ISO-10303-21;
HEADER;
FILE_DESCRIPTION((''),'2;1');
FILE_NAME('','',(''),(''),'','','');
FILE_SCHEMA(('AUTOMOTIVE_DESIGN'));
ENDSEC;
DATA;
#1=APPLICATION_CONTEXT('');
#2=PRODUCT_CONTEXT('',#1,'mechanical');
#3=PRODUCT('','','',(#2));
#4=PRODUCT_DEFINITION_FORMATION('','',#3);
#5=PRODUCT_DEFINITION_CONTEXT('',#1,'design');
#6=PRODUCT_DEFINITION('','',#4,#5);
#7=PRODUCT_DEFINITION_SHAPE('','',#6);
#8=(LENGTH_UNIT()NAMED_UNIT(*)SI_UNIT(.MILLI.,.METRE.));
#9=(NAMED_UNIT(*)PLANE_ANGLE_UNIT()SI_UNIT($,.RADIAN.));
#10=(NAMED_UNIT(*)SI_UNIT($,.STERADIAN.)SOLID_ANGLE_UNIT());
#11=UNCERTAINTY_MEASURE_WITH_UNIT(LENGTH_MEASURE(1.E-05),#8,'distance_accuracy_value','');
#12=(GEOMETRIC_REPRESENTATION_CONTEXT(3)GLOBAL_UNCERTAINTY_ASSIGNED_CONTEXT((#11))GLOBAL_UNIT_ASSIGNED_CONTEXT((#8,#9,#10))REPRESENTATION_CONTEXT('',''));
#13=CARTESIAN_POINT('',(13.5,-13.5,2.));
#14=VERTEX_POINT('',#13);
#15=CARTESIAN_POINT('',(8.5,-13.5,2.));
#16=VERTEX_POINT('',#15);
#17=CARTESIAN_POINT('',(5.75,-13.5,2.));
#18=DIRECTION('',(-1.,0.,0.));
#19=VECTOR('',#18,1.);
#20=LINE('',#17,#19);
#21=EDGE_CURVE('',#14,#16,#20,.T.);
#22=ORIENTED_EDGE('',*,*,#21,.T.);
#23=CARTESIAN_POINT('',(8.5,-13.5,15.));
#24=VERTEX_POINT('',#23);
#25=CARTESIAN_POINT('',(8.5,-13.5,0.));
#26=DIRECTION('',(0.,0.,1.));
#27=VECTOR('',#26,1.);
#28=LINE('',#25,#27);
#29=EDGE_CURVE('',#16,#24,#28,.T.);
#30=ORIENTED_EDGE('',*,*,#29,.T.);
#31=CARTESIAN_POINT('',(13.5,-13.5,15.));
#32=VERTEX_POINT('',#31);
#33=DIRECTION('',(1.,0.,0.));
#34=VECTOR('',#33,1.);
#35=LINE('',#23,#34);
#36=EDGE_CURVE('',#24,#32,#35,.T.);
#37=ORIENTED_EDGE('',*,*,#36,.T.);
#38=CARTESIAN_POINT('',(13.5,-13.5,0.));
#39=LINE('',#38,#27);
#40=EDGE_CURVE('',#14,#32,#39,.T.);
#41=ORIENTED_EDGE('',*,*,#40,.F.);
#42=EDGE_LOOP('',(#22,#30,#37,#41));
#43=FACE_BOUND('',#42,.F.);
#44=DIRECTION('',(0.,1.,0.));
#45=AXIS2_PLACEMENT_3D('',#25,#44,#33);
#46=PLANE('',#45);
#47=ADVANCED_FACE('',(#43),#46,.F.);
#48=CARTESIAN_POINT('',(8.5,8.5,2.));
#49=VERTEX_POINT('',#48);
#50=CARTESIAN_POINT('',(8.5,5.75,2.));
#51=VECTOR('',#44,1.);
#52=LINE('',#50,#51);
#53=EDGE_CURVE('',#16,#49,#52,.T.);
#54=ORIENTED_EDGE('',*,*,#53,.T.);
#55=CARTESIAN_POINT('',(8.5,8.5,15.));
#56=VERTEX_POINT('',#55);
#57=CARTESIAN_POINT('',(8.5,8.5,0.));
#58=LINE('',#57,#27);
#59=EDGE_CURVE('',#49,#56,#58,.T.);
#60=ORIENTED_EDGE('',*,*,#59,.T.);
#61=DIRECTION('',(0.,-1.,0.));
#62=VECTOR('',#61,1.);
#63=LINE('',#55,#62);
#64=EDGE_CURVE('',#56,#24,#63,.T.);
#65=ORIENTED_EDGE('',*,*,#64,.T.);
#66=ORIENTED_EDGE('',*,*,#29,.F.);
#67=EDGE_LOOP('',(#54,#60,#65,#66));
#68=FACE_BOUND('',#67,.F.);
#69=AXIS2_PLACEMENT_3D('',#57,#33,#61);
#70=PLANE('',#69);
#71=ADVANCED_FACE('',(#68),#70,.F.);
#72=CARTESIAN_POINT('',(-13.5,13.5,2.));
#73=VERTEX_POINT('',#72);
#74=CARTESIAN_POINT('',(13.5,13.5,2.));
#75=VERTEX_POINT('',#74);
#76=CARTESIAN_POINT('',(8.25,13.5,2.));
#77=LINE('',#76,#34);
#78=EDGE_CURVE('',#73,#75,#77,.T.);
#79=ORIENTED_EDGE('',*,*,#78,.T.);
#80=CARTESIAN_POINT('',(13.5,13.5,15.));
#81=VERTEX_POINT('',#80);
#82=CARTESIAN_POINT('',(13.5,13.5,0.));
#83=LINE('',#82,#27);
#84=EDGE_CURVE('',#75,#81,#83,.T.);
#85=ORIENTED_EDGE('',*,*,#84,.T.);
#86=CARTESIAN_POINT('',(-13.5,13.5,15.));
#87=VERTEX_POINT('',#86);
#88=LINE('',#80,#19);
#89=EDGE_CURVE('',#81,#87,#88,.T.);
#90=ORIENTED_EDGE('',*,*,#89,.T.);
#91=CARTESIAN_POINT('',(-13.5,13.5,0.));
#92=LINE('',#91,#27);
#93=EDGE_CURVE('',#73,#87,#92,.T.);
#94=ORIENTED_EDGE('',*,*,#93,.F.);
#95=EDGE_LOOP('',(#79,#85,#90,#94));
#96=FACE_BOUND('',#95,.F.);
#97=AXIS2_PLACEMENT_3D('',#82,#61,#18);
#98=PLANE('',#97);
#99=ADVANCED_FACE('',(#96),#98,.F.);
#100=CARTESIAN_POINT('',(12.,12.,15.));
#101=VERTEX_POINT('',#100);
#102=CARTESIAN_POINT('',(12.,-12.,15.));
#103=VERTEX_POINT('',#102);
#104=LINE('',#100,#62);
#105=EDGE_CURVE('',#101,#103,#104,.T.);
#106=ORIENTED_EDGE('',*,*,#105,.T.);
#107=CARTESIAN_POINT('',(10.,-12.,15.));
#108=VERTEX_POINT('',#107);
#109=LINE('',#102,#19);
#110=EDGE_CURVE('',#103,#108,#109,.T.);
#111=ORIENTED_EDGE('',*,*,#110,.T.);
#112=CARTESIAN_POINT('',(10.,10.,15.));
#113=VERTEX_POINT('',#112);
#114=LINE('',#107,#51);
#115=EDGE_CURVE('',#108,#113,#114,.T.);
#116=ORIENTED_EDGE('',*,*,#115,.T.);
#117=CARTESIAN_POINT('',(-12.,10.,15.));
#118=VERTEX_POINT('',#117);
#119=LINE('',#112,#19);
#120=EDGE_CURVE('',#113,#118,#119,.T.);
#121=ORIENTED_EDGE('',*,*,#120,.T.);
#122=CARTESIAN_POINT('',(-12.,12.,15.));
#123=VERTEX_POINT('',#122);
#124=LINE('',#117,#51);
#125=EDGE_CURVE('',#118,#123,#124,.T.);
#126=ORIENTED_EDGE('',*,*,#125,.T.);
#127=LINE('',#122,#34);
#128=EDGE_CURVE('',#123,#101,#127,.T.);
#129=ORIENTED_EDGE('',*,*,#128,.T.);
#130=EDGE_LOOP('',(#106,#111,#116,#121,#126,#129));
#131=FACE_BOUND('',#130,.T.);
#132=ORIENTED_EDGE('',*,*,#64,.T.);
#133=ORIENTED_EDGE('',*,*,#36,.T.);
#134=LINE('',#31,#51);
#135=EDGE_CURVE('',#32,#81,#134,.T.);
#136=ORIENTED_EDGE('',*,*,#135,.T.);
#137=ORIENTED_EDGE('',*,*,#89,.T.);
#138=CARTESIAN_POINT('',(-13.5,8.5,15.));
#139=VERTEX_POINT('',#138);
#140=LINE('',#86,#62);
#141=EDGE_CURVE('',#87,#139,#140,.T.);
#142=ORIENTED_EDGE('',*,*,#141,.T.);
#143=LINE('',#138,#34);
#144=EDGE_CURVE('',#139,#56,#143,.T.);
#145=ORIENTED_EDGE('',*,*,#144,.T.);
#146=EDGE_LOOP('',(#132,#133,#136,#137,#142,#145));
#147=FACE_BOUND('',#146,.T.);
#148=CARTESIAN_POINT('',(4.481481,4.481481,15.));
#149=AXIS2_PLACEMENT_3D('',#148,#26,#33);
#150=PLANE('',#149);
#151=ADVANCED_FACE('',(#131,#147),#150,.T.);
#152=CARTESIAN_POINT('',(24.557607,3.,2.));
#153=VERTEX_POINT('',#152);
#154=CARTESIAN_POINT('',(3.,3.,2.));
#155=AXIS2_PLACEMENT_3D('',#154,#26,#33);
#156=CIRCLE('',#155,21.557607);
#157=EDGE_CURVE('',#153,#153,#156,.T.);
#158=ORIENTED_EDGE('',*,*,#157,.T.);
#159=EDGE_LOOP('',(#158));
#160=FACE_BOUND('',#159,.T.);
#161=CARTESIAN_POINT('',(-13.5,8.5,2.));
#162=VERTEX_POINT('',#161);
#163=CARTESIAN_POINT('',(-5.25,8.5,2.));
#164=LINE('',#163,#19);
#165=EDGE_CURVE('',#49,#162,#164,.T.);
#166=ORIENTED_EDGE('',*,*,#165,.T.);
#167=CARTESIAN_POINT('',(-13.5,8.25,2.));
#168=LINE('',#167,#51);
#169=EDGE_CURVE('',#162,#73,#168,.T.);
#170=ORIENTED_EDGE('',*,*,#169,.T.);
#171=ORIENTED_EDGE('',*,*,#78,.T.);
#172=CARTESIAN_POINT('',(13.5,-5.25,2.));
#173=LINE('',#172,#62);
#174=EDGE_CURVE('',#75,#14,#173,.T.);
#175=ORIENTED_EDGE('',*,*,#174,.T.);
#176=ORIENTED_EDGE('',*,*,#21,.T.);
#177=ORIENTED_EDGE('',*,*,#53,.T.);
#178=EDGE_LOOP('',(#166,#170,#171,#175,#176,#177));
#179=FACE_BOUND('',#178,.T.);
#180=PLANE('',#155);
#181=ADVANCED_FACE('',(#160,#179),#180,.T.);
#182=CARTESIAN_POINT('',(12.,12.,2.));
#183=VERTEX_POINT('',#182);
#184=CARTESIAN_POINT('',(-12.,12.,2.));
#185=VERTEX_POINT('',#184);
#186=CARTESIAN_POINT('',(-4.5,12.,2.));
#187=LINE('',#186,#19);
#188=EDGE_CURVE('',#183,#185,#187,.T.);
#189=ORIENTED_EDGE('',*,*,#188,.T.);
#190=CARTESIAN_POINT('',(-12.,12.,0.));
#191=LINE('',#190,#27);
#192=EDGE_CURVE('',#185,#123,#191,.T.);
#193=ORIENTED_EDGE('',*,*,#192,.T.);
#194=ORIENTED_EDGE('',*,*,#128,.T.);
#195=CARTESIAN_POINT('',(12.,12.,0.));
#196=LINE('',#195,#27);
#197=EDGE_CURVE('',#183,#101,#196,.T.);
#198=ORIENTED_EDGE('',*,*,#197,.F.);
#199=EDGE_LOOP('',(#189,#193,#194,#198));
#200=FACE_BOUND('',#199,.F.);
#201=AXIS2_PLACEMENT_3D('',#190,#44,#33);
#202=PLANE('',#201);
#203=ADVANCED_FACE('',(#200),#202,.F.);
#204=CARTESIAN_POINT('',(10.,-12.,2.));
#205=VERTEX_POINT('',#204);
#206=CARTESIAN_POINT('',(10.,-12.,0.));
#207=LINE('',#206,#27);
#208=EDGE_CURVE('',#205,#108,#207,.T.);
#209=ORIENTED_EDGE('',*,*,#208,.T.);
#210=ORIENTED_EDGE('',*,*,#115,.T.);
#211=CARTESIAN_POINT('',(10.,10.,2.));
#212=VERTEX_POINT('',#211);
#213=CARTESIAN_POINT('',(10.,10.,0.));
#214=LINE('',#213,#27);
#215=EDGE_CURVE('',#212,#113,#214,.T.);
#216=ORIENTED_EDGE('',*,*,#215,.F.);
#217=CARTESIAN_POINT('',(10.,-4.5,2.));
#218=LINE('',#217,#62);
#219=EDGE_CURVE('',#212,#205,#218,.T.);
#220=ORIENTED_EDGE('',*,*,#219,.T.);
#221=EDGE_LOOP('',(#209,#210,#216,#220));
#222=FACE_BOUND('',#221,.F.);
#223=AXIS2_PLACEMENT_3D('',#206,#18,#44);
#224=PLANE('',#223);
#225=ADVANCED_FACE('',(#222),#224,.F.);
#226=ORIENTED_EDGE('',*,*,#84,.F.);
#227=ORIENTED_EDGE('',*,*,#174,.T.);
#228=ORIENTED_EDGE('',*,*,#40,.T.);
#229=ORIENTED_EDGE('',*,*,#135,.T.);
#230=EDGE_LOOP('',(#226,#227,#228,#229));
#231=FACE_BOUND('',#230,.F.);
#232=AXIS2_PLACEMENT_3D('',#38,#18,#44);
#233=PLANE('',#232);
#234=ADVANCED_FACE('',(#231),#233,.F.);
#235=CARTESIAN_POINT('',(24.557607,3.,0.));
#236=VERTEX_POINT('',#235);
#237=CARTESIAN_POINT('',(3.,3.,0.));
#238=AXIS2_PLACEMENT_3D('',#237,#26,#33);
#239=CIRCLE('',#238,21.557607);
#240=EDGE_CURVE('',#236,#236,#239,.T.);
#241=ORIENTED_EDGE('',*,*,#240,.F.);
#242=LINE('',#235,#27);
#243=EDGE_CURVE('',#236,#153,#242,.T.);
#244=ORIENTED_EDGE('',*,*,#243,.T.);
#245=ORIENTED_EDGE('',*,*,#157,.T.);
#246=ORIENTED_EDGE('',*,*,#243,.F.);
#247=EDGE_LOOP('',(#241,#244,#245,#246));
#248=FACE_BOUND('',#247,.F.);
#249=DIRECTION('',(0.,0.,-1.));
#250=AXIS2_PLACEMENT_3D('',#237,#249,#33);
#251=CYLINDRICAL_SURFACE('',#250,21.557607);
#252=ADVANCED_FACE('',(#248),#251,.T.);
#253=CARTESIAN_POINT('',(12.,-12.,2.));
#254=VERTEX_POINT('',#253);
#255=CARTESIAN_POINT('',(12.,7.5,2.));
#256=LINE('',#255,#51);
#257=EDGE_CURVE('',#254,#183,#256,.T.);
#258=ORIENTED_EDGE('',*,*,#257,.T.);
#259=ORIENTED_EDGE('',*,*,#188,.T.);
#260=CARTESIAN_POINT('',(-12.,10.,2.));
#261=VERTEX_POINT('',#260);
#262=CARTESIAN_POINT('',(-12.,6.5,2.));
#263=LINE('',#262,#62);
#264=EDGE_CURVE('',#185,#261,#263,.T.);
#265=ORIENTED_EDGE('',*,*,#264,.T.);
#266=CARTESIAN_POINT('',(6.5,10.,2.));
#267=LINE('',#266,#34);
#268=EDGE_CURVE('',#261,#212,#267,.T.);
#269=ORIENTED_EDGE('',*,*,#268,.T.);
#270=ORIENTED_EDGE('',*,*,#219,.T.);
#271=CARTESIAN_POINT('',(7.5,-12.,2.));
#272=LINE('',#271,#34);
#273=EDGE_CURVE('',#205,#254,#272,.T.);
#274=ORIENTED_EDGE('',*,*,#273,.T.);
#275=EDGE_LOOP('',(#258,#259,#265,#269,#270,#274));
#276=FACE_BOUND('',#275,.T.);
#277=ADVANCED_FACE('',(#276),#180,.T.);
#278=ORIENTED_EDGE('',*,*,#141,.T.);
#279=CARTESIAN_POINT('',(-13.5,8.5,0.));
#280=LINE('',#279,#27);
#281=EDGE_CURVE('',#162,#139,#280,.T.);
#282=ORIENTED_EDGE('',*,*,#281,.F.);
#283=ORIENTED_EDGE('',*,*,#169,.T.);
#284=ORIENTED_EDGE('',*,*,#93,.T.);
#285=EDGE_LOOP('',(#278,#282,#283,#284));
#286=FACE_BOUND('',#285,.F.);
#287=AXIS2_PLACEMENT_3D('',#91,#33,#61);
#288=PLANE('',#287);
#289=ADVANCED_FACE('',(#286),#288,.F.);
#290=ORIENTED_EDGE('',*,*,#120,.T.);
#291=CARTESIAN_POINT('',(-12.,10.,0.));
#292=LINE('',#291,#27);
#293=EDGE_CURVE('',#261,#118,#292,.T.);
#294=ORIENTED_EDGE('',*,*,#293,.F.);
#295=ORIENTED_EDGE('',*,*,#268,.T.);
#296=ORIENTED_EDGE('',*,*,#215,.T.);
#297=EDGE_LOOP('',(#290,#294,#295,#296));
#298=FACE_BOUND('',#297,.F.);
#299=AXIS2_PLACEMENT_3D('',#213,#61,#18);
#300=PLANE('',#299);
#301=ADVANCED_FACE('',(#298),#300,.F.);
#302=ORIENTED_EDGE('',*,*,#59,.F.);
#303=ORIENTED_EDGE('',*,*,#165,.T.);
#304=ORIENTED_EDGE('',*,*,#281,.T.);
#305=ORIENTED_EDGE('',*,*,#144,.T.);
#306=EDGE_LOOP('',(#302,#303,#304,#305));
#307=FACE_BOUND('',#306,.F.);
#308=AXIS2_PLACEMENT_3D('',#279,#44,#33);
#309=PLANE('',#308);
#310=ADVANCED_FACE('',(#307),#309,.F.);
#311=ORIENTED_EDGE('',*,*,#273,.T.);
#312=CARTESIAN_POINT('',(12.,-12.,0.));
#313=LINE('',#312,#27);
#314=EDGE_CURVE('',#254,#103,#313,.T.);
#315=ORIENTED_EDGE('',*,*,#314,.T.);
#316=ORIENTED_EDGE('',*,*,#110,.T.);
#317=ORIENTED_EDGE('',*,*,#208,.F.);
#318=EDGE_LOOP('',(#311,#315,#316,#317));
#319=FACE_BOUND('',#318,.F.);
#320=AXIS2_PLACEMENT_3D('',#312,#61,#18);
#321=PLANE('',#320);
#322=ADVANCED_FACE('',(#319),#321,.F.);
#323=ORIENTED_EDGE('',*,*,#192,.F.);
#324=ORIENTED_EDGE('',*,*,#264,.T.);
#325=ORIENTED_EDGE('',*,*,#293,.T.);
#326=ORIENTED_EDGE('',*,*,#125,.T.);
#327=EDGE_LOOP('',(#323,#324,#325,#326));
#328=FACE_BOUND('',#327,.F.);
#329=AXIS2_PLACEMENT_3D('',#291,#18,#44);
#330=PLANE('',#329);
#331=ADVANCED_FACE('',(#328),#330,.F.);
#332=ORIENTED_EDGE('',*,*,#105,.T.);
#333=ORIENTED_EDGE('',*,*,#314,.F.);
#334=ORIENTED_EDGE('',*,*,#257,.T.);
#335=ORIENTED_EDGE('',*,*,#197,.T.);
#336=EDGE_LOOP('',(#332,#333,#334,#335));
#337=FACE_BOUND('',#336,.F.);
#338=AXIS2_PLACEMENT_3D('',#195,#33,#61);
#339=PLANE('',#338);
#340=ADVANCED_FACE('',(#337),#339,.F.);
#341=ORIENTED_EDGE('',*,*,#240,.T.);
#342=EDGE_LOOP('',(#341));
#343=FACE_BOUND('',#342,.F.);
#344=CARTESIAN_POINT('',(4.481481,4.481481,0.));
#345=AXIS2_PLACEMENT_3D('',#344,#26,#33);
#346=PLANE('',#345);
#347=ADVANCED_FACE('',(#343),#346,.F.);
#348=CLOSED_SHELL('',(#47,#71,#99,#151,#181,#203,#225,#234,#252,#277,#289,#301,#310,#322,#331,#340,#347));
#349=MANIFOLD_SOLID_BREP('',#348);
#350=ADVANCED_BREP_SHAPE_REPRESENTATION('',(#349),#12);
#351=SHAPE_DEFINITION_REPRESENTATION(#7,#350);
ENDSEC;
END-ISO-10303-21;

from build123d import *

# Parameters (mm, degrees)
F0_R     = 21.5576072156
F1_DEPTH = 2
F2_DEPTH = 15


with BuildPart() as f1:
    # F0 (on Top) → F1 (new body)
    with BuildSketch(Plane.XY):
        with Locations((3, 3)):
            Circle(F0_R)
        Polygon((-13.5, 13.5), (13.5, 13.5), (13.5, -13.5), (8.5, -13.5), (8.5, -8.5), (8.5, 8.5), (-8.5, 8.5), (-13.5, 8.5), align=None, mode=Mode.SUBTRACT)
        Polygon((13.5, -13.5), (13.5, 13.5), (-13.5, 13.5), (-13.5, 8.5), (-8.5, 8.5), (8.5, 8.5), (8.5, -8.5), (8.5, -13.5), align=None)
        Polygon((-12, 10), (-12, 12), (12, 12), (12, -12), (10, -12), (10, -10), (10, 10), (-10, 10), align=None, mode=Mode.SUBTRACT)
        Polygon((12, 12), (-12, 12), (-12, 10), (-10, 10), (10, 10), (10, -10), (10, -12), (12, -12), align=None)
    extrude(amount=F1_DEPTH)

    # F0 (on Top) → F2 (join)
    with BuildSketch(Plane.XY):
        Polygon((13.5, -13.5), (13.5, 13.5), (-13.5, 13.5), (-13.5, 8.5), (-8.5, 8.5), (8.5, 8.5), (8.5, -8.5), (8.5, -13.5), align=None)
        Polygon((-12, 10), (-12, 12), (12, 12), (12, -12), (10, -12), (10, -10), (10, 10), (-10, 10), align=None, mode=Mode.SUBTRACT)
    extrude(amount=F2_DEPTH)


solid = f1.part
